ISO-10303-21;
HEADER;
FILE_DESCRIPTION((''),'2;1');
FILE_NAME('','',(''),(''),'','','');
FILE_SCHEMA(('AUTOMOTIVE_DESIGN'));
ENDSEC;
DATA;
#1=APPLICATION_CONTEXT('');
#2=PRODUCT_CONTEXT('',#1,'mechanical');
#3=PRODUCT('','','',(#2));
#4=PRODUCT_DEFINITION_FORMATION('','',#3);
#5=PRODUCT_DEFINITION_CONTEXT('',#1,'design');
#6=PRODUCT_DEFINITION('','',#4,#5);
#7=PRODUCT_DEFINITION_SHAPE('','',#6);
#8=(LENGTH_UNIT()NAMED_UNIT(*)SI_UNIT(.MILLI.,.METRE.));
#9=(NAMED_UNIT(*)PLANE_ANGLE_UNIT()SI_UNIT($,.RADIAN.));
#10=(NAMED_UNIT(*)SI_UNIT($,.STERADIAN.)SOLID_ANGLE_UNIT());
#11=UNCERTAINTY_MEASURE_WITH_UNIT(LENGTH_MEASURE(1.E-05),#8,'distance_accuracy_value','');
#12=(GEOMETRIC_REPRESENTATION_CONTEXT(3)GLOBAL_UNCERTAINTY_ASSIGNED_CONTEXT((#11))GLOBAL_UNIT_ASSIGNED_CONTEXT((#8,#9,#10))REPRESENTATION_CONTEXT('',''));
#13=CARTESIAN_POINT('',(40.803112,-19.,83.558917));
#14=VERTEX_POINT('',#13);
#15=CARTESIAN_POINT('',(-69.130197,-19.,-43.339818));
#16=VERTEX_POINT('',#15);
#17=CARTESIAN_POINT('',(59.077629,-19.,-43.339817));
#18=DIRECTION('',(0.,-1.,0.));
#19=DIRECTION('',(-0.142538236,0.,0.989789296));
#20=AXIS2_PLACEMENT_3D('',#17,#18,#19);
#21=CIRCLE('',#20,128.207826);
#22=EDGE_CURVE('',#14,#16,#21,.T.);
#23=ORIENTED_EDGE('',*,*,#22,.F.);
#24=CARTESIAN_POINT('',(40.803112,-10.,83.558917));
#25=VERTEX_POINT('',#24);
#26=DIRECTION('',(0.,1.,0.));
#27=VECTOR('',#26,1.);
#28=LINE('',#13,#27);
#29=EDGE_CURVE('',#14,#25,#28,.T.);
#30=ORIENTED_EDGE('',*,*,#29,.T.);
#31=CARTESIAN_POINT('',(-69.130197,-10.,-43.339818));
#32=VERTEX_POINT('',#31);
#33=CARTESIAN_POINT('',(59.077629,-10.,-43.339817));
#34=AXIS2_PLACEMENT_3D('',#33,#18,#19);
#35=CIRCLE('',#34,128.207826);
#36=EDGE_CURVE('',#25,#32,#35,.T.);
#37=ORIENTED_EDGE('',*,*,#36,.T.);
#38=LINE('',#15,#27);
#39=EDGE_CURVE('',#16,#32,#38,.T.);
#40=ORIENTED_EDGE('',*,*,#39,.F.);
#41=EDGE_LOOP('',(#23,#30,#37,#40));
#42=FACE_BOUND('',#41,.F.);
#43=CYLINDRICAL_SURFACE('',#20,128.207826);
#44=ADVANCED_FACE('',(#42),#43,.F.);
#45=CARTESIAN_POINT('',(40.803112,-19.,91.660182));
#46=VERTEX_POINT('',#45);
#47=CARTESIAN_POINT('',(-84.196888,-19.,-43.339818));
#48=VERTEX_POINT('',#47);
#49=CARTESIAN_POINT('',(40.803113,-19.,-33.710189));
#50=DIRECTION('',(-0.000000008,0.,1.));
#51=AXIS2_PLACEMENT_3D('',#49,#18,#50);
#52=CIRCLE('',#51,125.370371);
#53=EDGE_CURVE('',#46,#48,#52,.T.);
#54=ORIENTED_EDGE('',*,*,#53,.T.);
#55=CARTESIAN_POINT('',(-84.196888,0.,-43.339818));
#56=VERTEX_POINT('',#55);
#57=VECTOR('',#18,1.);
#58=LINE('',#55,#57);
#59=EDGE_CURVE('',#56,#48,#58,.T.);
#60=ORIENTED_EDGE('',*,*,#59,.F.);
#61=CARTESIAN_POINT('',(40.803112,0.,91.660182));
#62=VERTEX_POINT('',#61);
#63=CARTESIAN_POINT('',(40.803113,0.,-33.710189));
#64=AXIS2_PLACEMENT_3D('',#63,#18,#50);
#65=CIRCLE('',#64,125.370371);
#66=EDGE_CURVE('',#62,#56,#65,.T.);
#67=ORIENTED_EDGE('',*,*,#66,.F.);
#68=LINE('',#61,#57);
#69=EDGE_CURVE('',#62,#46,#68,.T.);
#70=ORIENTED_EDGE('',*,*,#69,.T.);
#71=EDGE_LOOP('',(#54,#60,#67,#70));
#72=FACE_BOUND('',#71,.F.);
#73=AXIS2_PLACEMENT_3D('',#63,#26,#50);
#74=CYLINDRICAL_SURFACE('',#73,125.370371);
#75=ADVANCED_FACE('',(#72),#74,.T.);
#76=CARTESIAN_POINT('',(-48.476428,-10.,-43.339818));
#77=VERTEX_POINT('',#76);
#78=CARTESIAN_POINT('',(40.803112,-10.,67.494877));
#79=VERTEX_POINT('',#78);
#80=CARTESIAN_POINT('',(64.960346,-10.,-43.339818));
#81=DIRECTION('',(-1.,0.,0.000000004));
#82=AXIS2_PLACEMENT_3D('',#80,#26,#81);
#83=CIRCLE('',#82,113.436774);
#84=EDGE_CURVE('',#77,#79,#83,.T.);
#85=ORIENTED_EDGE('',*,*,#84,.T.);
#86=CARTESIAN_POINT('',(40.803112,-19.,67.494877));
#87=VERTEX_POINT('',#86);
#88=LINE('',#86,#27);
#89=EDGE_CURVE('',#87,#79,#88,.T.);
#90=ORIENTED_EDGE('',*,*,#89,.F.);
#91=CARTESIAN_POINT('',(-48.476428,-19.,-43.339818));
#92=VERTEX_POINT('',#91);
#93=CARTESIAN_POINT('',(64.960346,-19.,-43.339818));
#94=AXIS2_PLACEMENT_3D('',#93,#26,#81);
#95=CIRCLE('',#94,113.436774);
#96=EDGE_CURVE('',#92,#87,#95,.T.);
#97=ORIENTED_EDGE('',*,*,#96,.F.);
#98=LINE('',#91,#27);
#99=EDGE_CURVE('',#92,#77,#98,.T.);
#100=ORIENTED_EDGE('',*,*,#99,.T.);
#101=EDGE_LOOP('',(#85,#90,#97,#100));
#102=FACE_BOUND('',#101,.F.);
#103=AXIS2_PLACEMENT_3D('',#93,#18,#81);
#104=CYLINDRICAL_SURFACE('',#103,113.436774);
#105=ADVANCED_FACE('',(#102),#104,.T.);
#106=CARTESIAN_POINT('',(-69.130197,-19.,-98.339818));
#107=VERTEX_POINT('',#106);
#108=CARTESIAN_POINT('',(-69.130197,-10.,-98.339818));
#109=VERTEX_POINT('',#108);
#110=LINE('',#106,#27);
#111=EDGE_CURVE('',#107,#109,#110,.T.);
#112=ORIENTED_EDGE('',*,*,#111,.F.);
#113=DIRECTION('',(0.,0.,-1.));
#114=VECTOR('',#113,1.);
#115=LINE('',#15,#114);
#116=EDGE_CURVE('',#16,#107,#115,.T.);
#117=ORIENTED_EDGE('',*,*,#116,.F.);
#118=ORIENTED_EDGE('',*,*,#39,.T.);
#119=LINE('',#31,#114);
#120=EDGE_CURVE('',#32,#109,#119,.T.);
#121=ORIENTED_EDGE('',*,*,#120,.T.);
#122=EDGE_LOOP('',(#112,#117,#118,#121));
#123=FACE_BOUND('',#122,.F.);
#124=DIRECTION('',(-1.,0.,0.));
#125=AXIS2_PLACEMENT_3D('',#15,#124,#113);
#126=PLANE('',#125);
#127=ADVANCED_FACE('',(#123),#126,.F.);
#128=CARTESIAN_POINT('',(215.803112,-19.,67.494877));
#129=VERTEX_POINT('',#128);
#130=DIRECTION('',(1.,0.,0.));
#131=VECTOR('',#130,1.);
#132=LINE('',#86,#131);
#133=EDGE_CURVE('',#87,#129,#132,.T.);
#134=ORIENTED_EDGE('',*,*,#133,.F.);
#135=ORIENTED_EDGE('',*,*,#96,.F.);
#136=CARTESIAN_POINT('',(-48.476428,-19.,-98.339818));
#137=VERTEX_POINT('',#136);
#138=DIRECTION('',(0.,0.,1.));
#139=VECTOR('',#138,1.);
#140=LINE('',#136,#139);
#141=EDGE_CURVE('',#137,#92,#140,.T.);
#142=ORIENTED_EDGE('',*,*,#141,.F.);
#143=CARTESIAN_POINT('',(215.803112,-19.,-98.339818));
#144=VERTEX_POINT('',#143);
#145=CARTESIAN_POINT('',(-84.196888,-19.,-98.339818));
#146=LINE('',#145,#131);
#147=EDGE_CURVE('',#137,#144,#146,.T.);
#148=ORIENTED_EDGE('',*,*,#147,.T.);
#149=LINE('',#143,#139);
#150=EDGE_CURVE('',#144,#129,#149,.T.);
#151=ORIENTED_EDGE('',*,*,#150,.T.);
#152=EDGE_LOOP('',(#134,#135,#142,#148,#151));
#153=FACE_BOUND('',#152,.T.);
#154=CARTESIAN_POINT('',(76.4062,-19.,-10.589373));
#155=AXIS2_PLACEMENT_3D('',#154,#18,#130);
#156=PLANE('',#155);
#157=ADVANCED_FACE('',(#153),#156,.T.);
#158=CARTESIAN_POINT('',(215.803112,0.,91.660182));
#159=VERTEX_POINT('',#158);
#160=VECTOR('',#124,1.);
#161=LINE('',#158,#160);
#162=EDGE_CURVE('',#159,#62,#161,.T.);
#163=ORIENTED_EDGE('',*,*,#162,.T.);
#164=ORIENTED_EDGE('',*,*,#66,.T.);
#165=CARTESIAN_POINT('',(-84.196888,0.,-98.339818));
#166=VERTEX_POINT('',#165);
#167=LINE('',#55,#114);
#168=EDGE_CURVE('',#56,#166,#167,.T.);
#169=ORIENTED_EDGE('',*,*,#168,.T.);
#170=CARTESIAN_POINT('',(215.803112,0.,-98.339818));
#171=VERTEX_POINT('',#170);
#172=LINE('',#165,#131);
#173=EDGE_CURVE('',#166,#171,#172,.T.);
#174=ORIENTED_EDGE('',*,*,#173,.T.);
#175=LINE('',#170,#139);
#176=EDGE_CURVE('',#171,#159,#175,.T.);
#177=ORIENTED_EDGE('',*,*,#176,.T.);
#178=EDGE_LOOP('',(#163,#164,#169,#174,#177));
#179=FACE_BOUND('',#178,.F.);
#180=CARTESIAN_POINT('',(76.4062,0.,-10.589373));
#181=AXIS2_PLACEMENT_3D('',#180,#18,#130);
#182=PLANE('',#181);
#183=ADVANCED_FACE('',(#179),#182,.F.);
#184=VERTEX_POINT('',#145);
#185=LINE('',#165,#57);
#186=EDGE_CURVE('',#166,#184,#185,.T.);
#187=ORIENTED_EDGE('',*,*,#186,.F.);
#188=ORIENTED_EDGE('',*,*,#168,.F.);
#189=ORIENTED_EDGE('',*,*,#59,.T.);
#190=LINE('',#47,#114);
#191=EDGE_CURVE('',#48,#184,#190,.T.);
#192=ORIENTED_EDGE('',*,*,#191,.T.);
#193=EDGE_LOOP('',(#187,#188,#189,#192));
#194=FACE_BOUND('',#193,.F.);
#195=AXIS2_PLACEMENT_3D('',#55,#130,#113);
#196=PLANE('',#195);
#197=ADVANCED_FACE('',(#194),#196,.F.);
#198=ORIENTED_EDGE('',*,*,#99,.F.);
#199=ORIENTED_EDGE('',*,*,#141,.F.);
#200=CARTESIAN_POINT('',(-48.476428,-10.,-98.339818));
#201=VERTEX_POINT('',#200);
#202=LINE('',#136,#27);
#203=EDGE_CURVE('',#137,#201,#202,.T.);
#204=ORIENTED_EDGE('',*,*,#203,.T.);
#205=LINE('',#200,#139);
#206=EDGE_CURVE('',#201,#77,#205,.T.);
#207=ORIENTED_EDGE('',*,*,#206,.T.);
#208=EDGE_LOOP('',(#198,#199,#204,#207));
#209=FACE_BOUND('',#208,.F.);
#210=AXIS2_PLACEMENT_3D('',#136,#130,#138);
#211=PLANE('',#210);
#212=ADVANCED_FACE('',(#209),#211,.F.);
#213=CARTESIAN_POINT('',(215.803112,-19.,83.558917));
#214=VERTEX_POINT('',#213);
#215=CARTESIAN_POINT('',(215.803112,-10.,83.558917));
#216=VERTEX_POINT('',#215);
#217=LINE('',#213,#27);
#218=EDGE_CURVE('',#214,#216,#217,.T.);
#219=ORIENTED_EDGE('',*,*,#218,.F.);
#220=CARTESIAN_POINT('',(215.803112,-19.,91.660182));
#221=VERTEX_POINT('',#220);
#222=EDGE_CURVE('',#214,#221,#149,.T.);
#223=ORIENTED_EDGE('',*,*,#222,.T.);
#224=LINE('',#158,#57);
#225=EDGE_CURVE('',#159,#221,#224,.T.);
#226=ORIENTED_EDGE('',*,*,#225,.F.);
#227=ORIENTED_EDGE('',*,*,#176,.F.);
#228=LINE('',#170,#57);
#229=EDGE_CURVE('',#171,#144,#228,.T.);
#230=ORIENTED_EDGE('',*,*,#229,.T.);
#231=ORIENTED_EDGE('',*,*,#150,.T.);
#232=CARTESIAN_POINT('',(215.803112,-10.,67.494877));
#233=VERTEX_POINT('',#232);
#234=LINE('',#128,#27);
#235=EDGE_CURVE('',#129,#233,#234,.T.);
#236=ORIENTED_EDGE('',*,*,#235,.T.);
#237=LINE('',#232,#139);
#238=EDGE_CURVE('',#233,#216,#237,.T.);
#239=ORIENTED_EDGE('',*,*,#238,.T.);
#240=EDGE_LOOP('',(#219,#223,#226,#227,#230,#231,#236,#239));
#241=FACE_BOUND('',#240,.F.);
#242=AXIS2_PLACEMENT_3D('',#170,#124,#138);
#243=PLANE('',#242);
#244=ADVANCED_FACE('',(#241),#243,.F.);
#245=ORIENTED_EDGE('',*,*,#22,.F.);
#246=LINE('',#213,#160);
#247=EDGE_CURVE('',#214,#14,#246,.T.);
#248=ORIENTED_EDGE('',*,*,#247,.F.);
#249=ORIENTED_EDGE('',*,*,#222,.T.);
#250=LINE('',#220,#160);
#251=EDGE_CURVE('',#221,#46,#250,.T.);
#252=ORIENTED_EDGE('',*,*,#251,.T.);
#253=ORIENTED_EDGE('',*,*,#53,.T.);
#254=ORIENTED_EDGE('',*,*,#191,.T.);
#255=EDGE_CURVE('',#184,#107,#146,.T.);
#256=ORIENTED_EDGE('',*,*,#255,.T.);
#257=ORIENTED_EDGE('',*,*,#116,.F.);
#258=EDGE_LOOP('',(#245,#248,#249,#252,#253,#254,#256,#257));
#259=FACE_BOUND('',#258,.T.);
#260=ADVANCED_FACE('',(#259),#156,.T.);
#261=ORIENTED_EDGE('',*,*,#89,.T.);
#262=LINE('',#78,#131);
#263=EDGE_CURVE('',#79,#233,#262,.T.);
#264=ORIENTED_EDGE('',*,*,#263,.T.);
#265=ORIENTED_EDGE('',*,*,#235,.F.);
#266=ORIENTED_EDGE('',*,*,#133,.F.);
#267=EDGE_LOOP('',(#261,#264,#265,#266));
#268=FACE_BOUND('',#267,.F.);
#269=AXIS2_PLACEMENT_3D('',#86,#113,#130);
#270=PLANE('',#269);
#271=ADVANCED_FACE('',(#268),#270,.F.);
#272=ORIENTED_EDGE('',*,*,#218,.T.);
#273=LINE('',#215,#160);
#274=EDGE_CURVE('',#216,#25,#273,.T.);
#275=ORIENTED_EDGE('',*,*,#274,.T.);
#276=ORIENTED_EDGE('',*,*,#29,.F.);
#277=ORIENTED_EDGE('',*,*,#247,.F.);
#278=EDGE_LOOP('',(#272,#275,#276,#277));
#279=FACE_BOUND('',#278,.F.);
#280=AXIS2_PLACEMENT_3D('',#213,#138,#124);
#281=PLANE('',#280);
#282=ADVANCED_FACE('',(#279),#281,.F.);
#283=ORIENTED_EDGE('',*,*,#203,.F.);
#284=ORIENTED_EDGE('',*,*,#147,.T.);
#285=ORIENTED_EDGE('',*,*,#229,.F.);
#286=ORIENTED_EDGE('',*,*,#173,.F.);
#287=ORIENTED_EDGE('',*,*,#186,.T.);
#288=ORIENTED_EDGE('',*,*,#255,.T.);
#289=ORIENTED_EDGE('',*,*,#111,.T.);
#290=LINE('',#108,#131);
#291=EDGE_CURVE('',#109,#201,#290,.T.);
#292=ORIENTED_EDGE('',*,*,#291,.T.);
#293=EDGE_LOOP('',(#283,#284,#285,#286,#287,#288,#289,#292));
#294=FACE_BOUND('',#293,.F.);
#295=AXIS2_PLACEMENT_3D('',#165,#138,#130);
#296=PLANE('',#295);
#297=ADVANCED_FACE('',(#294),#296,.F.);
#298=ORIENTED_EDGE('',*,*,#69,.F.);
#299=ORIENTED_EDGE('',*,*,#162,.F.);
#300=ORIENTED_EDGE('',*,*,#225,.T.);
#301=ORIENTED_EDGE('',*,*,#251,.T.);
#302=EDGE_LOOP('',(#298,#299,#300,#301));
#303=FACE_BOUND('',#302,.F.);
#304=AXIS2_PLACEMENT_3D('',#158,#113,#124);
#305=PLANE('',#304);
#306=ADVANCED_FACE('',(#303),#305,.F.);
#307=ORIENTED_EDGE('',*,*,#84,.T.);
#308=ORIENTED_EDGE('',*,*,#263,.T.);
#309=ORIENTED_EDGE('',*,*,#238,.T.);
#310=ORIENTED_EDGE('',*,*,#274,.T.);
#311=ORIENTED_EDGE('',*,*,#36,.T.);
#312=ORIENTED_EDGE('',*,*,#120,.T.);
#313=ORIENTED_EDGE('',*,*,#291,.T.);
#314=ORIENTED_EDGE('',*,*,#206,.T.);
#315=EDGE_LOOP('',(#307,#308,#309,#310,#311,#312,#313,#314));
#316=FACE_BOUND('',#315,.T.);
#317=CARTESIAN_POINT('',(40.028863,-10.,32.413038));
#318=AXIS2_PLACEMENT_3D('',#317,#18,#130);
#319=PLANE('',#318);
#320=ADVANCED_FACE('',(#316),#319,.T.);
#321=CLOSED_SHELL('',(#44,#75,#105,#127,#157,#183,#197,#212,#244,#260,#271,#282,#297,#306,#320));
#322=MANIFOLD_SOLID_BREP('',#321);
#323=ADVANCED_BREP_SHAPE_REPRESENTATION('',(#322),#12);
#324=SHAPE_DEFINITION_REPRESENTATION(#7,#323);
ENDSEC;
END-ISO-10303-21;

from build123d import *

# Parameters (mm, degrees)
F1_DEPTH = 19
F3_DEPTH = 9


with BuildPart() as f1:
    # F0 (on Front) → F1 (new body)
    with BuildSketch(Plane.XZ):
        with BuildLine():
            Line((215.803112, -98.339818), (215.803112, 91.660182))
            Line((215.803112, 91.660182), (40.803112, 91.660182))
            ThreePointArc((40.803112, 91.660182), (-51.188735, 51.467448), (-84.196888, -43.339818))
            Line((-84.196888, -43.339818), (-84.196888, -98.339818))
            Line((-84.196888, -98.339818), (215.803112, -98.339818))
        make_face()
    extrude(amount=F1_DEPTH)

    # F2 (on face) → F3 (cut)
    with BuildSketch(Plane.XZ.offset(19)):
        with BuildLine():
            Line((-48.476428, -98.339818), (-48.476428, -43.339818))
            ThreePointArc((-48.476428, -43.339818), (-23.380529, 27.820504), (40.803112, 67.494877))
            Line((40.803112, 67.494877), (215.803112, 67.494877))
            Line((215.803112, 67.494877), (215.803112, 83.558917))
            Line((215.803112, 83.558917), (40.803112, 83.558917))
            ThreePointArc((40.803112, 83.558917), (-37.824855, 40.607519), (-69.130197, -43.339818))
            Line((-69.130197, -43.339818), (-69.130197, -98.339818))
            Line((-69.130197, -98.339818), (-48.476428, -98.339818))
        make_face()
    extrude(amount=-F3_DEPTH, mode=Mode.SUBTRACT)


solid = f1.part
